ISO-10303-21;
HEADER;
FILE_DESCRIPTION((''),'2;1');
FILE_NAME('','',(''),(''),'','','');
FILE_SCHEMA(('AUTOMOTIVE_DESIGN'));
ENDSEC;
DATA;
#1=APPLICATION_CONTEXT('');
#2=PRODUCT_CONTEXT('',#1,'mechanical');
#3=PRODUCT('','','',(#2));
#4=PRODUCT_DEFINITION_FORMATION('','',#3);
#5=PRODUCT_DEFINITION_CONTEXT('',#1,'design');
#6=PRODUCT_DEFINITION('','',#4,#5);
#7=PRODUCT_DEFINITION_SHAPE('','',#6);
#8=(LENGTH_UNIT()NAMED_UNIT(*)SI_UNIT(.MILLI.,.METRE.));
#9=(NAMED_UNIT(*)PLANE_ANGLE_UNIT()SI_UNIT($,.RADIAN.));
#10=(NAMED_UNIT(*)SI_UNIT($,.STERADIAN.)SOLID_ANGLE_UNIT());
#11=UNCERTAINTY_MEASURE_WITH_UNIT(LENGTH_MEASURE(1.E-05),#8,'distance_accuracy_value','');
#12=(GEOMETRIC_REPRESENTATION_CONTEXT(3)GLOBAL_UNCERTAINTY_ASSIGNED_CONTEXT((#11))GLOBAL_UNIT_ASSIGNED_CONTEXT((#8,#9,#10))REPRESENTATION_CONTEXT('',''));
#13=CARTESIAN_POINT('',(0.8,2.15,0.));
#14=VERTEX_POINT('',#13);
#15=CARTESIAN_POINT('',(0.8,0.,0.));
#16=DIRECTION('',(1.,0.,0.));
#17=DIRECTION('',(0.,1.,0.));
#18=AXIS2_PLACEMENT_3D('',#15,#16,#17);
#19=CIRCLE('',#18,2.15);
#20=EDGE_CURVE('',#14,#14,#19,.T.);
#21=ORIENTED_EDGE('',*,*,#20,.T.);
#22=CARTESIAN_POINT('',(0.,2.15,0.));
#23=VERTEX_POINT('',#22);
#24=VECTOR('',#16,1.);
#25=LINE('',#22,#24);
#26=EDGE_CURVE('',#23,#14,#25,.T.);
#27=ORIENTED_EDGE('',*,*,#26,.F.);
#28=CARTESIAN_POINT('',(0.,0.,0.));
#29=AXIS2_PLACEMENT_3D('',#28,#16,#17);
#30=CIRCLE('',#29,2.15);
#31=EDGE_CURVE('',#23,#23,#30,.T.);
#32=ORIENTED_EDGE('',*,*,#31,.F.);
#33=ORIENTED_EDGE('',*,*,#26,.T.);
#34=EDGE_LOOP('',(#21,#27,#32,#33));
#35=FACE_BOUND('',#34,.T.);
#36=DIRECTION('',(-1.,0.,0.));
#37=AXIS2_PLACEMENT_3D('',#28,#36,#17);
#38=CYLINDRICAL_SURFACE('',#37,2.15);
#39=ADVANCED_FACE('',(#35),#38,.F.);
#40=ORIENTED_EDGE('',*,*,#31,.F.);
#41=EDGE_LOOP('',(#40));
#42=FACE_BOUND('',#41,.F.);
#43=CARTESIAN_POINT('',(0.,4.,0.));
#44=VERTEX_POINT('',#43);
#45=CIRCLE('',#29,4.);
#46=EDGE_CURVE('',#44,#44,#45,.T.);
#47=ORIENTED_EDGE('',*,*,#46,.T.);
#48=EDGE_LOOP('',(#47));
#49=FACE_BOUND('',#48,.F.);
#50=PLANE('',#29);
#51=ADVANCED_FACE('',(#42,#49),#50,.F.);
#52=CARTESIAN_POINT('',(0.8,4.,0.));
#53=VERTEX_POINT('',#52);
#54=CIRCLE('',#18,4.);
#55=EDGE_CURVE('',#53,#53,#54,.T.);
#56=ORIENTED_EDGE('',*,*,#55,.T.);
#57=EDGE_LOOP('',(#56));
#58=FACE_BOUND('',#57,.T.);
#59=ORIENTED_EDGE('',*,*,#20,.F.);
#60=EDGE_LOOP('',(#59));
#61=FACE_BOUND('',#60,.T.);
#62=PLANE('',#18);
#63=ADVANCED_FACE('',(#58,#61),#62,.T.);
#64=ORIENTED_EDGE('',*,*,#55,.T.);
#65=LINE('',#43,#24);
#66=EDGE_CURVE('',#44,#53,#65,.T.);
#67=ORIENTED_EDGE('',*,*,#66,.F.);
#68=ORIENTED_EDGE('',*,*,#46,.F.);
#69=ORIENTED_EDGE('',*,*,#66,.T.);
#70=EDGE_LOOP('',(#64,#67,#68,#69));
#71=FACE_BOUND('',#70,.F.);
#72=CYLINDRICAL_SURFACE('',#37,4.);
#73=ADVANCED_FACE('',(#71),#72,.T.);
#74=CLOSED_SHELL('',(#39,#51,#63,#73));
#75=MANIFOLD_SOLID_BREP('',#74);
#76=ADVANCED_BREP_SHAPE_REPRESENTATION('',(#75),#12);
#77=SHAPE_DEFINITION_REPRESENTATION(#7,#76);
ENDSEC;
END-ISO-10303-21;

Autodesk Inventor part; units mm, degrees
ref_plane "YZ Plane" through (0, 0, 0) normal (1, 0, 0) x (0, 1, 0)
ref_plane "XZ Plane" through (0, 0, 0) normal (0, 1, 0) x (-1, 0, 0)
sketch "Sketch" plane through (0, 0, 0) normal (1, 0, 0) x (0, 1, 0)
  circle A0 centre (0, 0) radius 4
  circle A1 centre (0, 0) radius 2.15
  dimension "d0" = 4.3
  dimension "d1" = 8
extrude "Body" add sketch "Sketch" along normal blind 0.8
ref_plane "Work Plane1" through (0, 0, 0) normal (0, 0, 1) x (1, 0, 0)
equation "\"d0\" = SD1"
equation "\"d1\" = SD2"
equation "\"d2\" = SD"
equation "\"SD1\" = 4.3"
equation "\"SD2\" = 8"
equation "\"SD\" = 0.8"
equation "\"NND\" = 4"
properties part number "AS 1237 - 4" material "Steel, Mild"
